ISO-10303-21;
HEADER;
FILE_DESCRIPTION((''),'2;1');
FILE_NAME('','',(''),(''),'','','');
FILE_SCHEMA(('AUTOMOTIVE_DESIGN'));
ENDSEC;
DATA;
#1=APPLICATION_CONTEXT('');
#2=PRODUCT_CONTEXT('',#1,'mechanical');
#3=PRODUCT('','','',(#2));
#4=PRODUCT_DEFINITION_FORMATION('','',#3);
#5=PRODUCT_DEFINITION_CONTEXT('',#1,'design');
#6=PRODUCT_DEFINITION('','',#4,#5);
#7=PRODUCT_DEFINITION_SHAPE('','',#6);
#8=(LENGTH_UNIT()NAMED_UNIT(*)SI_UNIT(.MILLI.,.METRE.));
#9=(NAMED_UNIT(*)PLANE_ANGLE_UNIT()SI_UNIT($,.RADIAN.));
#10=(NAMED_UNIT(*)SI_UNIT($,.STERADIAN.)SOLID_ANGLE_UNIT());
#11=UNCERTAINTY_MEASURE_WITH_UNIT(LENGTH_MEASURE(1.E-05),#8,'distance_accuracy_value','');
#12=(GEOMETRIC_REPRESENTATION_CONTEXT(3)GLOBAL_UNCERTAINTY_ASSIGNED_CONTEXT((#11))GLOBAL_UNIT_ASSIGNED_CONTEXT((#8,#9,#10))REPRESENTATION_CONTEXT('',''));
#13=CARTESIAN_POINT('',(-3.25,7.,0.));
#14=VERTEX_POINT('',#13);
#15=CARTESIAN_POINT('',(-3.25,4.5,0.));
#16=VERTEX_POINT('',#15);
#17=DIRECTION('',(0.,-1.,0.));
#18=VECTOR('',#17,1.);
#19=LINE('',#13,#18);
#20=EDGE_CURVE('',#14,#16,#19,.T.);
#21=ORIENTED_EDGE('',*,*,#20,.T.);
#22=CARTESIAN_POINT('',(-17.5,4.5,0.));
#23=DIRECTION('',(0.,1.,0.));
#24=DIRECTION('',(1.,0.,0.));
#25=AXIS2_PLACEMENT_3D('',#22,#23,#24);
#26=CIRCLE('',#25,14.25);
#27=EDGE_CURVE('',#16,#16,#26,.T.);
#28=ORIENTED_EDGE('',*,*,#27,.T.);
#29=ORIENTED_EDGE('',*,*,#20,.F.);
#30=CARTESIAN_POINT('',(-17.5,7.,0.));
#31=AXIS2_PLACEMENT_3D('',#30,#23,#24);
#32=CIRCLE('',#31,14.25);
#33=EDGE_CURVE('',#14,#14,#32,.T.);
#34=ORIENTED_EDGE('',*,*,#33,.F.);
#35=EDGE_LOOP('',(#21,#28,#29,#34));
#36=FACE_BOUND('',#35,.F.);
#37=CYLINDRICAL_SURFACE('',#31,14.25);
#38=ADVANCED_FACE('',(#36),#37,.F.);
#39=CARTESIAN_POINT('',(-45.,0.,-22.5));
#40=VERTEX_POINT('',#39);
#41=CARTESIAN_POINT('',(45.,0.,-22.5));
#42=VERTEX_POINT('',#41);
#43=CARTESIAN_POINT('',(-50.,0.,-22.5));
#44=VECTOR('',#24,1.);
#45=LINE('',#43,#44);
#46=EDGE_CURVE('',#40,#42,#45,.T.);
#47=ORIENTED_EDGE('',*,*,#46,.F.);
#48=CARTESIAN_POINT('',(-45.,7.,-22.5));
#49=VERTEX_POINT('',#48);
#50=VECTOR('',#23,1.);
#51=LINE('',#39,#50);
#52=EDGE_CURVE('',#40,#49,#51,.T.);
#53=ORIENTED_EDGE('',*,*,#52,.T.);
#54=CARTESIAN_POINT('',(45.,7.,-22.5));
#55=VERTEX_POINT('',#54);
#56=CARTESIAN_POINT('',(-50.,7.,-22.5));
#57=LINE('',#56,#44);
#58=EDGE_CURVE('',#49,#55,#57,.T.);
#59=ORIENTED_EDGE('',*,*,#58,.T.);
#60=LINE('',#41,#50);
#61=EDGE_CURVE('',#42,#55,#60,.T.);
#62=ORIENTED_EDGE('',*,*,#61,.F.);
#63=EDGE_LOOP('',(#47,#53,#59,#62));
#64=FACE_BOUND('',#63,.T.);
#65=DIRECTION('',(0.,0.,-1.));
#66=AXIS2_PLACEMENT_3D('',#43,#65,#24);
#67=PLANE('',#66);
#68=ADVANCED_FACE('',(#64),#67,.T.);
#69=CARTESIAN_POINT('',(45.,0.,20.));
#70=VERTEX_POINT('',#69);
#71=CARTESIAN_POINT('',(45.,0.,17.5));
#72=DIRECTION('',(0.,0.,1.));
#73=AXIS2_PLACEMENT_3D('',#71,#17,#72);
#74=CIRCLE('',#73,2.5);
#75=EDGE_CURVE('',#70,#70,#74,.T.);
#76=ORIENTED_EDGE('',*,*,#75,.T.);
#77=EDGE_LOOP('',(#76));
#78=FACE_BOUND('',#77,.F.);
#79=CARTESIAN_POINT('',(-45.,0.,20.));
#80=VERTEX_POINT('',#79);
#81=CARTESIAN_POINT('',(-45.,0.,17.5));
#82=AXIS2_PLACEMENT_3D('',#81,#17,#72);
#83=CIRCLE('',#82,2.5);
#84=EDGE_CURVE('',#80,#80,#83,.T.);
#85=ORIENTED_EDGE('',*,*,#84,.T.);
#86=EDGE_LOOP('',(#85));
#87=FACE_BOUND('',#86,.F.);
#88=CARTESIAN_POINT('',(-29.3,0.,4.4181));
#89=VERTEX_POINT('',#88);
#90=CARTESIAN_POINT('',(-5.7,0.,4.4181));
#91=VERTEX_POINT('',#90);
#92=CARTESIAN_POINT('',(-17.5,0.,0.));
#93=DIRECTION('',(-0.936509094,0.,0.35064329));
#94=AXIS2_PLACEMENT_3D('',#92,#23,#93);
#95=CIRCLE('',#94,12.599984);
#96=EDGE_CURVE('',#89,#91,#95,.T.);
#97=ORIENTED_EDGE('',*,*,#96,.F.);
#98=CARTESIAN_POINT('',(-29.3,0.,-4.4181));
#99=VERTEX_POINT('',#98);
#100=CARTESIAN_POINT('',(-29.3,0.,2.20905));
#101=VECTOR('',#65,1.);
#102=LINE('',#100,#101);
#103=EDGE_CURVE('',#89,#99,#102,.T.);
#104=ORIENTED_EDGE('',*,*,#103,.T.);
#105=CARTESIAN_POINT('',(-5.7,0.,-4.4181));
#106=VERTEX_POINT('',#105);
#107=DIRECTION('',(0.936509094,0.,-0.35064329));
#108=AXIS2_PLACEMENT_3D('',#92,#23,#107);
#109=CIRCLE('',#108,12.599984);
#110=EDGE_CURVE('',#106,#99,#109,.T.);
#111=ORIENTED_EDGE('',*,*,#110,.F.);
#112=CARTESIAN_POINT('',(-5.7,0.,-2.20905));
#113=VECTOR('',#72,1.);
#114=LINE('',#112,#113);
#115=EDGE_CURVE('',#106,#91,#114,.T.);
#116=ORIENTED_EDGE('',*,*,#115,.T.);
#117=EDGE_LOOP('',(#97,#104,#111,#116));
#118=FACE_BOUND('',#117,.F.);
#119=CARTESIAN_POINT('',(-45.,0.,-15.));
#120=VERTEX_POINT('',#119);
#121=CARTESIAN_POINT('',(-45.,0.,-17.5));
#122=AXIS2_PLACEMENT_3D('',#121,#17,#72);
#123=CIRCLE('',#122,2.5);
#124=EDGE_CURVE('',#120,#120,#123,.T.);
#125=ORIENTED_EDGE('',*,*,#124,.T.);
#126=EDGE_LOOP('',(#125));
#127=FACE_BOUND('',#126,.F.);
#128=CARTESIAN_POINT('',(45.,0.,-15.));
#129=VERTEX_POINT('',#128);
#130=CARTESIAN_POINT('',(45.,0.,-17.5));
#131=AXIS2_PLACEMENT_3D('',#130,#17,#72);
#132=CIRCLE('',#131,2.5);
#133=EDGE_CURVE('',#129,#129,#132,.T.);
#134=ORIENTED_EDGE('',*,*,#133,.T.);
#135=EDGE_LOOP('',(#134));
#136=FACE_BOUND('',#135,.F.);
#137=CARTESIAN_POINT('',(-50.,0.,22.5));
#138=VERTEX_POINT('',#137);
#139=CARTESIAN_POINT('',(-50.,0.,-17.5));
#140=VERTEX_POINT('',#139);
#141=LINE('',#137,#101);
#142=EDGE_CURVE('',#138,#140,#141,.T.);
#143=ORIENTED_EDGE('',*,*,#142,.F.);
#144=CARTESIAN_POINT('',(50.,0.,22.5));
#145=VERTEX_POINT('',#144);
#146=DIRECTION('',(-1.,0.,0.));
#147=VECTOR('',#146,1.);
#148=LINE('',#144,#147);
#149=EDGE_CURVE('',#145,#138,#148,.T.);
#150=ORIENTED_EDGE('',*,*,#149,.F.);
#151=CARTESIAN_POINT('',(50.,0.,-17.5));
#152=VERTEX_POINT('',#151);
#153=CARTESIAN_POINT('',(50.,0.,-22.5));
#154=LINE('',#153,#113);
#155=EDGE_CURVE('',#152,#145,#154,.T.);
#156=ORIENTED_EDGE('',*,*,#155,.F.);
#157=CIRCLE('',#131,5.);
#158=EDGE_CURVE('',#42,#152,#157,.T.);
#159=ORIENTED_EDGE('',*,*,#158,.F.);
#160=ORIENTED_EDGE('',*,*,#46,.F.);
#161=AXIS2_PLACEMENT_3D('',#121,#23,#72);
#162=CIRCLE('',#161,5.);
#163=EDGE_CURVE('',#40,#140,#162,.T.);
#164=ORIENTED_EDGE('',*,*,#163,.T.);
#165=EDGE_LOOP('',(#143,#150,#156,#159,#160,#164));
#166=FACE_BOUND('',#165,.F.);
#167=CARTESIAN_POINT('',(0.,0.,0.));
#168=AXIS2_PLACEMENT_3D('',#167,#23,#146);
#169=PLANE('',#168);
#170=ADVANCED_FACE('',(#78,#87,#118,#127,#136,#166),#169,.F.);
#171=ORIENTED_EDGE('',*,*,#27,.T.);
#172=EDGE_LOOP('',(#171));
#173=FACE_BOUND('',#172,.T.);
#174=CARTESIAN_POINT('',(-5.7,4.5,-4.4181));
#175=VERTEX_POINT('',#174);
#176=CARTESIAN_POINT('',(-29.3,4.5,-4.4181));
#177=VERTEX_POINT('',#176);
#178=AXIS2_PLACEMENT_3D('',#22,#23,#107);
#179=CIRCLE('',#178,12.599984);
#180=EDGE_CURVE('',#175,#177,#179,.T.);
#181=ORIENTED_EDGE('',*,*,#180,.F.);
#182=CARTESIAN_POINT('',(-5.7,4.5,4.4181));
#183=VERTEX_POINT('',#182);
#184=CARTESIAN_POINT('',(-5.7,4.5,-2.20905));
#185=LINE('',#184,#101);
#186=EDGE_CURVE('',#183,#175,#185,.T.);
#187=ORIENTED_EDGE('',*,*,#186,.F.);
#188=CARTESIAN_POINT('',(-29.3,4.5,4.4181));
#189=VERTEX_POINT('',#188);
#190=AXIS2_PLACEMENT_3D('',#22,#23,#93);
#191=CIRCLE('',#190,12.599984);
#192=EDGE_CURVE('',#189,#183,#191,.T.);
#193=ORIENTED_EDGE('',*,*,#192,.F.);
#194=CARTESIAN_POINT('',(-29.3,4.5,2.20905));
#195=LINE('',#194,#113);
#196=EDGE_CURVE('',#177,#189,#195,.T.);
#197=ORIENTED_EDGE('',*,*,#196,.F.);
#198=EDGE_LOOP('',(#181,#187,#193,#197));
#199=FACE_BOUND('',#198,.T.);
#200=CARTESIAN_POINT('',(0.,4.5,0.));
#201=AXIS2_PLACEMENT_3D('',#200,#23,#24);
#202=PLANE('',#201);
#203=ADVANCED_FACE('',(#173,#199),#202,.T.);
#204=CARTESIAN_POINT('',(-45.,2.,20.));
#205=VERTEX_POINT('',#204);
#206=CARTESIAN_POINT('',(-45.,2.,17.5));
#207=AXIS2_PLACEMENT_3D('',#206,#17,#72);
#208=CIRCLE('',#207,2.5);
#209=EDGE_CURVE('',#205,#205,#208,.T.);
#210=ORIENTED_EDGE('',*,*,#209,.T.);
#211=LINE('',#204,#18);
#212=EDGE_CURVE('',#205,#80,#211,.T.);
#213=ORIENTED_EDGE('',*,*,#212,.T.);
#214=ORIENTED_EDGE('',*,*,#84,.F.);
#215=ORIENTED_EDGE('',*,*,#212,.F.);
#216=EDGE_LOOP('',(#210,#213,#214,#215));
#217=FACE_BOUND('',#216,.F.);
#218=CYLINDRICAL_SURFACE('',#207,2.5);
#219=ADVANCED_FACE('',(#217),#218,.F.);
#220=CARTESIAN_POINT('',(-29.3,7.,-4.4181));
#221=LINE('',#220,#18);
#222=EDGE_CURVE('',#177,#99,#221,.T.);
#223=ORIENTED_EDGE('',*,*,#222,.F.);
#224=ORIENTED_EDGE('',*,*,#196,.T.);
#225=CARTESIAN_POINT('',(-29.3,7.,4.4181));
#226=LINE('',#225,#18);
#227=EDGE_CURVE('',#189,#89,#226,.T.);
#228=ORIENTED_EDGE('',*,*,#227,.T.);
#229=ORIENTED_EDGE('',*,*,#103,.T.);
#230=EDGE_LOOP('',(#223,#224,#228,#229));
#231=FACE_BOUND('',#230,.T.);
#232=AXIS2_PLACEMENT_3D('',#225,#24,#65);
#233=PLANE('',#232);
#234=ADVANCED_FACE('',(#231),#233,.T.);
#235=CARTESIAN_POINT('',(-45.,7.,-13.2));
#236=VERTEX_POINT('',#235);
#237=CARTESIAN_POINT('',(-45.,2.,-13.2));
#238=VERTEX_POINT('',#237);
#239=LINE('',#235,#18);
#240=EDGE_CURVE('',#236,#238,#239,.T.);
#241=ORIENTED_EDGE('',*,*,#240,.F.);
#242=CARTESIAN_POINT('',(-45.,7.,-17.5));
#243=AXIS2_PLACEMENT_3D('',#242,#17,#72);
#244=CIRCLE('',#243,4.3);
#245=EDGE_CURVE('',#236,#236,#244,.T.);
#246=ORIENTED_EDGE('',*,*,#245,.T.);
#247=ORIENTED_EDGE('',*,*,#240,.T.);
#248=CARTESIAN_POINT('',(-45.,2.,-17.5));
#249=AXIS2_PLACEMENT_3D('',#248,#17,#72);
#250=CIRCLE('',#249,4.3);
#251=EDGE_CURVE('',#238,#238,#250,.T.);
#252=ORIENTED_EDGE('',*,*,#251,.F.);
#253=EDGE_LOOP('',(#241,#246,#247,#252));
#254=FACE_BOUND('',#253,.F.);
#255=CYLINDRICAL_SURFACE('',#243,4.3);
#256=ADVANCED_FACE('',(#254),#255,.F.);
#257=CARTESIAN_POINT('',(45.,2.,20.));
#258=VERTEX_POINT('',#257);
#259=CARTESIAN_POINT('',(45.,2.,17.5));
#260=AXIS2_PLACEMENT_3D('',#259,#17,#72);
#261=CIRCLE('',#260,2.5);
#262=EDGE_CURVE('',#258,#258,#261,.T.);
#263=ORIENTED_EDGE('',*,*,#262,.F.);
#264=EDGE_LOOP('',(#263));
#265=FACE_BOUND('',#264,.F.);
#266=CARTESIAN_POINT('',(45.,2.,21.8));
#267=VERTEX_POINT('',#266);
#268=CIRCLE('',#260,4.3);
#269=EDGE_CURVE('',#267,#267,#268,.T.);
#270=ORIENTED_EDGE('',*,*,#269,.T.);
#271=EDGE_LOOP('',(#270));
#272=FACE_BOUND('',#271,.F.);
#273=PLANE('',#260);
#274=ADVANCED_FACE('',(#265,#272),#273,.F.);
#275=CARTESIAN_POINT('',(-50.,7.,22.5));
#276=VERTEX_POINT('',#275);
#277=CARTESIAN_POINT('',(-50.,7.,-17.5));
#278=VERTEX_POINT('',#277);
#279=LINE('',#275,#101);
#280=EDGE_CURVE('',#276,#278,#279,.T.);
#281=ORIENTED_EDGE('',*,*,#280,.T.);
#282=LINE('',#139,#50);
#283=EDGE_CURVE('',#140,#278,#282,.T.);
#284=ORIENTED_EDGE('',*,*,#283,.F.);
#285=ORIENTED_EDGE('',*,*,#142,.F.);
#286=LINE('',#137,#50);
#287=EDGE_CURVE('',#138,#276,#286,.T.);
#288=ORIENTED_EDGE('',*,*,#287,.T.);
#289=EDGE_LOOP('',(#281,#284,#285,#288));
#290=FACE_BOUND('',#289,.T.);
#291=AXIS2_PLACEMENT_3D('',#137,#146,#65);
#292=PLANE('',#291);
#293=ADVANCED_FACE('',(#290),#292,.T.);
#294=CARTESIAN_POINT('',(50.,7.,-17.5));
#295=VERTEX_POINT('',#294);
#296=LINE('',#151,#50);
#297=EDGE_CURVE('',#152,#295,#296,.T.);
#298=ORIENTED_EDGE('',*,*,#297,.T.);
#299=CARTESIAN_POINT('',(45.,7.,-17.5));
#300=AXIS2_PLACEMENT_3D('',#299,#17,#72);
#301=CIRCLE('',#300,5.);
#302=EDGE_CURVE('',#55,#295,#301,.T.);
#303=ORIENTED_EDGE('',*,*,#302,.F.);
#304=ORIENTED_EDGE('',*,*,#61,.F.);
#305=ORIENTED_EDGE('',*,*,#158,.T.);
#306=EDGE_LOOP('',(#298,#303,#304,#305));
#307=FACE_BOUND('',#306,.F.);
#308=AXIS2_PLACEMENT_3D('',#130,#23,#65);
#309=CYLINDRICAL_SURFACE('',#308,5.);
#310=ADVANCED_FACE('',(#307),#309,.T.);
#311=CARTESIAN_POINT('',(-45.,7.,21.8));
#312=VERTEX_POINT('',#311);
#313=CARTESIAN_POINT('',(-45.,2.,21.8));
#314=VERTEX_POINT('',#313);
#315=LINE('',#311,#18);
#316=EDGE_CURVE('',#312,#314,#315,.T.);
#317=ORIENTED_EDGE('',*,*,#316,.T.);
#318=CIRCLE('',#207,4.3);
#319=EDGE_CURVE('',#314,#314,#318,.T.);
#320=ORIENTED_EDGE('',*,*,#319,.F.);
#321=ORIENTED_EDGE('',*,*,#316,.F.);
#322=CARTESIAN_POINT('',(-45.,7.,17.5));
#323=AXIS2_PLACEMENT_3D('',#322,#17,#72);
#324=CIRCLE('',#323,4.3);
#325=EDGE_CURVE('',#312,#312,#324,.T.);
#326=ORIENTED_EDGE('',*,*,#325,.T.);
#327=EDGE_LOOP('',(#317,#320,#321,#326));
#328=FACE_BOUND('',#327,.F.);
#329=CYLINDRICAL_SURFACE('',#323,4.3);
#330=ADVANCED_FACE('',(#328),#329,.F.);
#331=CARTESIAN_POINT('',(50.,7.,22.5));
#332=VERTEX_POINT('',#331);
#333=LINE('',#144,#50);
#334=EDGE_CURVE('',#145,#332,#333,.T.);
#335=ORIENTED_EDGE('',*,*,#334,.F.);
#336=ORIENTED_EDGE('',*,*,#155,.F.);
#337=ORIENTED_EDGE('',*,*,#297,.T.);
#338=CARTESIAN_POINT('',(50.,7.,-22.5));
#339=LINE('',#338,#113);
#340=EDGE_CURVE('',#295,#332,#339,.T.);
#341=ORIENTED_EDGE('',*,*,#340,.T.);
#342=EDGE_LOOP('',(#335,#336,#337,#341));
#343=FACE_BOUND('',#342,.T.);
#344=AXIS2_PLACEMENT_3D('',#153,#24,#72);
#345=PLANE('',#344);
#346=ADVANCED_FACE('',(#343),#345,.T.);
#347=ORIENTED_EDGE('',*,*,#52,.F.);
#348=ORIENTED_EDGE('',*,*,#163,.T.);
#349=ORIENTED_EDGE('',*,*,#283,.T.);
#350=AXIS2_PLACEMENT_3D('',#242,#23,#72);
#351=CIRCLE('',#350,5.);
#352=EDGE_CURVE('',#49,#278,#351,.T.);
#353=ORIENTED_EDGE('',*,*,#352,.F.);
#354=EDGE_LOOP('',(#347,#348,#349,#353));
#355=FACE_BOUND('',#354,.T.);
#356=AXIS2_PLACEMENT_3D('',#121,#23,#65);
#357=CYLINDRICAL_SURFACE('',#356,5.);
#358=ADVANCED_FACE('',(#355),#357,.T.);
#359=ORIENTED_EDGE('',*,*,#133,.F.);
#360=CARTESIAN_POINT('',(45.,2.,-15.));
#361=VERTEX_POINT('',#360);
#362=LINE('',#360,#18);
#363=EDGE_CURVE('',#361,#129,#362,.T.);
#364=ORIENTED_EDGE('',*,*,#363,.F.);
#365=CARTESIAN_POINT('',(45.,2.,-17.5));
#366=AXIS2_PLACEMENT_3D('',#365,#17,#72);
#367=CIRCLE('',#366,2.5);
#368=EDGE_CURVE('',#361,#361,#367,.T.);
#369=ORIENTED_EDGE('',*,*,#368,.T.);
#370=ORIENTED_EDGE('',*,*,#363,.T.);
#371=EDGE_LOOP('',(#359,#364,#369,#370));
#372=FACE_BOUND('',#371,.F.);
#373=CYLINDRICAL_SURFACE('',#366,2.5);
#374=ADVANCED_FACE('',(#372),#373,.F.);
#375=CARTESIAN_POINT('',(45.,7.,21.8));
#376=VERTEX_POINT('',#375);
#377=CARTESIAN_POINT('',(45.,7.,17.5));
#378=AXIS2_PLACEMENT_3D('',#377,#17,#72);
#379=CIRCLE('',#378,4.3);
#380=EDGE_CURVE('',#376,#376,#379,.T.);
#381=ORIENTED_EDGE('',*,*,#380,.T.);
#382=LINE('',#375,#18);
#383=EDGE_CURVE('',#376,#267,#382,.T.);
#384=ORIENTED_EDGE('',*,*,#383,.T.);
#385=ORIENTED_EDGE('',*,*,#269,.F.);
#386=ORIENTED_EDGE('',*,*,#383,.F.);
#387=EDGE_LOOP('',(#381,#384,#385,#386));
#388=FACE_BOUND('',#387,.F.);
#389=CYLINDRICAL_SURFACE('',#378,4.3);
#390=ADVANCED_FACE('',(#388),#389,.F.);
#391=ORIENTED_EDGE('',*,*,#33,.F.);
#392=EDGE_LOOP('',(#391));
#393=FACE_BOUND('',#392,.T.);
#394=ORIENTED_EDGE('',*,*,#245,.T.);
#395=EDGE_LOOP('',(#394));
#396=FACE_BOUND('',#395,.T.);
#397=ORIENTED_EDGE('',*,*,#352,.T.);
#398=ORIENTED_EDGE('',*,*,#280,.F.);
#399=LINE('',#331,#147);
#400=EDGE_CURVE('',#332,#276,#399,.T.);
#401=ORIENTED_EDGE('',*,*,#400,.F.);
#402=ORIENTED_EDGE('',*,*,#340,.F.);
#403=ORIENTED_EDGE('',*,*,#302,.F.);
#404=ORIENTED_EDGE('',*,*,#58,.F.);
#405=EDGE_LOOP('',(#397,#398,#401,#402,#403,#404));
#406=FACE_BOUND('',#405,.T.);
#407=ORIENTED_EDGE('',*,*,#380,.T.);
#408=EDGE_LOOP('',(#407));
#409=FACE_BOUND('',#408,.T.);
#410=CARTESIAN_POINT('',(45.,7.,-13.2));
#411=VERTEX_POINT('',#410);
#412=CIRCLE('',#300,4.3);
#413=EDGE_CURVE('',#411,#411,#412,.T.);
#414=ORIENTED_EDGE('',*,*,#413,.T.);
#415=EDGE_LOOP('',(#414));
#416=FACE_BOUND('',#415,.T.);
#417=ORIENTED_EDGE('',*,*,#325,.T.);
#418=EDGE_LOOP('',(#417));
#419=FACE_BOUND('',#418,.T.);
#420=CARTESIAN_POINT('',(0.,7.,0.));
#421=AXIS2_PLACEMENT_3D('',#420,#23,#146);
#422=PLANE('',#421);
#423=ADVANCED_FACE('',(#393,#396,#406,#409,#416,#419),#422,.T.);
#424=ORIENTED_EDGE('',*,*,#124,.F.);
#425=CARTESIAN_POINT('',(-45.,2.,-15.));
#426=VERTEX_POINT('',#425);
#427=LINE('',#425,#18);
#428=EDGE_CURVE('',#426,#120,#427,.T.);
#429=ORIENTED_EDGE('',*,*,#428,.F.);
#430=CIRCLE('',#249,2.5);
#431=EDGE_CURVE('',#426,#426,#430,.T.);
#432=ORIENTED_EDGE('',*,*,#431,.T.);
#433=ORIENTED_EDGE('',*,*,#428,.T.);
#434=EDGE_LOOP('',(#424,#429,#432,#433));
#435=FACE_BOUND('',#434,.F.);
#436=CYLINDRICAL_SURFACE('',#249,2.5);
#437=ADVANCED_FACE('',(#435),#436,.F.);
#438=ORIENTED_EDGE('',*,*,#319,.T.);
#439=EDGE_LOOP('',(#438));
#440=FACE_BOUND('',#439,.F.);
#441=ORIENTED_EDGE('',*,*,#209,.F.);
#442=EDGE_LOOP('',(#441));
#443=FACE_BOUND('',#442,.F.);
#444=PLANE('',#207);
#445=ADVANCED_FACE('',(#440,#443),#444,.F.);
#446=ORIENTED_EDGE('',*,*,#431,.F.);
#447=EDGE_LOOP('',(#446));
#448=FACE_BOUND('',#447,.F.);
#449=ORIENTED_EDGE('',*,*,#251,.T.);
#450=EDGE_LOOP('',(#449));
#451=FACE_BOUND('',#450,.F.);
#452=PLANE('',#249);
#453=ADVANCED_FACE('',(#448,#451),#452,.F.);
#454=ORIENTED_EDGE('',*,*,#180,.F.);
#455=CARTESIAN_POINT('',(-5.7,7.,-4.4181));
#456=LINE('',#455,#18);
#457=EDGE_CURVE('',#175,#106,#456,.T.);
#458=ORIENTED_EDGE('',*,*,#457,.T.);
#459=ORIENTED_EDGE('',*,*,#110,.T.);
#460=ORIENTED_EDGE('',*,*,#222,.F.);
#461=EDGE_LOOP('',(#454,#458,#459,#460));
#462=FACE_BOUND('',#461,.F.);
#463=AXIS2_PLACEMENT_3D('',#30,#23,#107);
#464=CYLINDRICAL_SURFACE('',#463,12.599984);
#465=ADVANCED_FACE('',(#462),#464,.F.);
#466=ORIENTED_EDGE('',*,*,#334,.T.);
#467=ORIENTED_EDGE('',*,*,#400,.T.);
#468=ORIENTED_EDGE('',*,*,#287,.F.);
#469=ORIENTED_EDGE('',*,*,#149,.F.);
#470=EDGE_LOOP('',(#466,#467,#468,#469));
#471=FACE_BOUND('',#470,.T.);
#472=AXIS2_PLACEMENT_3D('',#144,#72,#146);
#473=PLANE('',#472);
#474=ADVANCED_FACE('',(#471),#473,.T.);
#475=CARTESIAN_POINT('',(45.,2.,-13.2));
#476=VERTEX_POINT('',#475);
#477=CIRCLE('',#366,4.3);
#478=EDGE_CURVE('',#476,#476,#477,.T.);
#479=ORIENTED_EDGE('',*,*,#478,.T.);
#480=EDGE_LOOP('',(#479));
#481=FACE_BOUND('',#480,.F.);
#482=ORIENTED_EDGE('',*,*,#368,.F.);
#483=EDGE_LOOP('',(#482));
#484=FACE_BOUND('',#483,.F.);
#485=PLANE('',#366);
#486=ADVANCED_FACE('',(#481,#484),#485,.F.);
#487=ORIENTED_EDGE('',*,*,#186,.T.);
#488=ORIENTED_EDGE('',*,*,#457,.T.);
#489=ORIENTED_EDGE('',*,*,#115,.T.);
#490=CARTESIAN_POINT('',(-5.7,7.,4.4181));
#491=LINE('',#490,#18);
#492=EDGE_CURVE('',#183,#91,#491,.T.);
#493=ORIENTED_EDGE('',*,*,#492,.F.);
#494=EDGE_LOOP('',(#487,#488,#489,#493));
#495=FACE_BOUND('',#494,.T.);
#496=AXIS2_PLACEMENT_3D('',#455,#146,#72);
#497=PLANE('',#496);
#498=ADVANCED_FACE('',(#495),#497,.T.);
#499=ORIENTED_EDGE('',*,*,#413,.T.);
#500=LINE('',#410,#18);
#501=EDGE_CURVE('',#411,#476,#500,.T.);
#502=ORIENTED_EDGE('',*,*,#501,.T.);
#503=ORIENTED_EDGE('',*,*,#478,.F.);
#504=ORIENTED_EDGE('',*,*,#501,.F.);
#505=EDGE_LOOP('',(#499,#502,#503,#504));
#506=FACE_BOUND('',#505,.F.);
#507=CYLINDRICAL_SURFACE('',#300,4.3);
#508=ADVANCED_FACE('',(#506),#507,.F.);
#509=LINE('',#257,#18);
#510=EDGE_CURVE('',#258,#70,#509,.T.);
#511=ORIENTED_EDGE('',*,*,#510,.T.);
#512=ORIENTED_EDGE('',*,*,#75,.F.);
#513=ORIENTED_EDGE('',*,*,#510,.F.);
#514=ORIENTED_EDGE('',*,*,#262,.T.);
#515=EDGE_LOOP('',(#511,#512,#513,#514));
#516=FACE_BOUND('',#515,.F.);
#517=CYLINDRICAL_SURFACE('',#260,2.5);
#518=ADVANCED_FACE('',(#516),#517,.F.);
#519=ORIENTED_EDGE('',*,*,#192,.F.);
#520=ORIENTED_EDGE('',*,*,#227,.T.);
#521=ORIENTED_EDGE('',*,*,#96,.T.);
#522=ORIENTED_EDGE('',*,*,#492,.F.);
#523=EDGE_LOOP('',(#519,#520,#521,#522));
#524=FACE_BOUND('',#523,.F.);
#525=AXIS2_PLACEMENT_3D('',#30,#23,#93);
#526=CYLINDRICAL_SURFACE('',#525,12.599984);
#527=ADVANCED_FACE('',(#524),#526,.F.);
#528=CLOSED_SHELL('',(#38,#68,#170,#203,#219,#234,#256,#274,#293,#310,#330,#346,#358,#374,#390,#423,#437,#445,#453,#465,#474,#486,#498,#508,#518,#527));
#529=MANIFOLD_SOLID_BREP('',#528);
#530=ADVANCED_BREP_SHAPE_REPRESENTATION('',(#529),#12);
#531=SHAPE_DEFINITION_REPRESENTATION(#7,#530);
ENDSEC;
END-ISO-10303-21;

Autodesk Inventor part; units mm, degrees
ref_plane "YZ Plane" through (0, 0, 0) normal (1, 0, 0) x (0, 1, 0)
ref_plane "XZ Plane" through (0, 0, 0) normal (0, 1, 0) x (-1, 0, 0)
ref_plane "XY Plane" through (0, 0, 0) normal (0, 0, 1) x (1, 0, 0)
sketch "Body Outline" plane through (0, 0, 0) normal (0, 1, 0) x (-1, 0, 0)
  line L0 (50, -22.5) -> (-50, -22.5)
  line L1 (-50, -22.5) -> (-50, 22.5)
  line L2 (-50, 22.5) -> (50, 22.5)
  line L3 (50, 22.5) -> (50, -22.5)
  point P0 (0, 0)
  dimension "d0" = 45
  dimension "d1" = 22.5
  dimension "d2" = 100
  dimension "d3" = 50
extrude "Body" add sketch "Body Outline" along normal blind 7
sketch "Connector Hole Cross Section" plane through (0, 7, 0) normal (0, 1, 0) x (1, 0, 0)
  line L0 (-5.7, 4.4181) -> (-5.7, -4.4181)
  line L1 (-29.3, -4.4181) -> (-29.3, 4.4181)
  arc A0 (-5.7, 4.4181) -> (-29.3, 4.4181) centre (-17.5, 0) ccw
  arc A1 (-29.3, -4.4181) -> (-5.7, -4.4181) centre (-17.5, 0) ccw
  line L2 (50, 22.5) -> (-50, 22.5) projected
  line L3 (-50, 22.5) -> (-50, -22.5) projected
  point P0 (0, 0)
  dimension "d6" = 11.8
  dimension "d7" = 23.6
  dimension "d8" = 12.6
  dimension "d9" = 12.6
  dimension "d10" = 22.5
  dimension "d12" = 32.5
extrude "Connector Hole" cut sketch "Connector Hole Cross Section" along normal through all both and the other way through all
sketch "Connector Face Hole Cross Section" plane through (0, 7, 0) normal (0, 1, 0) x (1, 0, 0)
  circle A0 centre (-17.5, 0) radius 14.25
  line L0 (50, 22.5) -> (-50, 22.5) projected
  line L1 (-50, 22.5) -> (-50, -22.5) projected
  point P0 (0, 0)
  dimension "d15" = 22.5
  dimension "d16" = 32.5
  dimension "d17" = 28.5
extrude "Connector Face Hole" cut sketch "Connector Face Hole Cross Section" against normal blind 2.5
fillet "Body Fillet" radius 5 2 edges at (-50, 3.5, -22.5) (50, 3.5, -22.5)
sketch "Lid Fastening Hole Pattern" plane through (0, 7, 0) normal (0, 1, 0) x (1, 0, 0)
  line L0 (-50, 17.5) -> (-50, -22.5) projected
  line L1 (45, 22.5) -> (-45, 22.5) projected
  point P0 (0, 0)
  point P1 (-45, 17.5)
  point P2 (45, 17.5)
  point P3 (-45, -17.5)
  point P4 (45, -17.5)
  dimension "d85" = 5
  dimension "d86" = 5
  dimension "d89" = 90
  dimension "d92" = 35
hole "Lid Fastening Holes" at (-45, 7, -17.5) at (45, 7, -17.5) at (-45, 7, 17.5) at (45, 7, 17.5) direction (0, -1, 0) diameter 5 end through all counterbore diameter 8.6 counterbore depth 5
equation "\"d1\" = 0.5 * d0"
equation "\"d3\" = 0.5 * d2"
equation "\"d6\" = 0.5 * d7"
equation "\"d9\" = d8"
equation "\"d10\" = 0.5 * d0"
equation "\"d15\" = 0.5 * d0"
equation "\"d85\" = d86"
properties part number "Connector Lid" material "Aluminum 6061"
